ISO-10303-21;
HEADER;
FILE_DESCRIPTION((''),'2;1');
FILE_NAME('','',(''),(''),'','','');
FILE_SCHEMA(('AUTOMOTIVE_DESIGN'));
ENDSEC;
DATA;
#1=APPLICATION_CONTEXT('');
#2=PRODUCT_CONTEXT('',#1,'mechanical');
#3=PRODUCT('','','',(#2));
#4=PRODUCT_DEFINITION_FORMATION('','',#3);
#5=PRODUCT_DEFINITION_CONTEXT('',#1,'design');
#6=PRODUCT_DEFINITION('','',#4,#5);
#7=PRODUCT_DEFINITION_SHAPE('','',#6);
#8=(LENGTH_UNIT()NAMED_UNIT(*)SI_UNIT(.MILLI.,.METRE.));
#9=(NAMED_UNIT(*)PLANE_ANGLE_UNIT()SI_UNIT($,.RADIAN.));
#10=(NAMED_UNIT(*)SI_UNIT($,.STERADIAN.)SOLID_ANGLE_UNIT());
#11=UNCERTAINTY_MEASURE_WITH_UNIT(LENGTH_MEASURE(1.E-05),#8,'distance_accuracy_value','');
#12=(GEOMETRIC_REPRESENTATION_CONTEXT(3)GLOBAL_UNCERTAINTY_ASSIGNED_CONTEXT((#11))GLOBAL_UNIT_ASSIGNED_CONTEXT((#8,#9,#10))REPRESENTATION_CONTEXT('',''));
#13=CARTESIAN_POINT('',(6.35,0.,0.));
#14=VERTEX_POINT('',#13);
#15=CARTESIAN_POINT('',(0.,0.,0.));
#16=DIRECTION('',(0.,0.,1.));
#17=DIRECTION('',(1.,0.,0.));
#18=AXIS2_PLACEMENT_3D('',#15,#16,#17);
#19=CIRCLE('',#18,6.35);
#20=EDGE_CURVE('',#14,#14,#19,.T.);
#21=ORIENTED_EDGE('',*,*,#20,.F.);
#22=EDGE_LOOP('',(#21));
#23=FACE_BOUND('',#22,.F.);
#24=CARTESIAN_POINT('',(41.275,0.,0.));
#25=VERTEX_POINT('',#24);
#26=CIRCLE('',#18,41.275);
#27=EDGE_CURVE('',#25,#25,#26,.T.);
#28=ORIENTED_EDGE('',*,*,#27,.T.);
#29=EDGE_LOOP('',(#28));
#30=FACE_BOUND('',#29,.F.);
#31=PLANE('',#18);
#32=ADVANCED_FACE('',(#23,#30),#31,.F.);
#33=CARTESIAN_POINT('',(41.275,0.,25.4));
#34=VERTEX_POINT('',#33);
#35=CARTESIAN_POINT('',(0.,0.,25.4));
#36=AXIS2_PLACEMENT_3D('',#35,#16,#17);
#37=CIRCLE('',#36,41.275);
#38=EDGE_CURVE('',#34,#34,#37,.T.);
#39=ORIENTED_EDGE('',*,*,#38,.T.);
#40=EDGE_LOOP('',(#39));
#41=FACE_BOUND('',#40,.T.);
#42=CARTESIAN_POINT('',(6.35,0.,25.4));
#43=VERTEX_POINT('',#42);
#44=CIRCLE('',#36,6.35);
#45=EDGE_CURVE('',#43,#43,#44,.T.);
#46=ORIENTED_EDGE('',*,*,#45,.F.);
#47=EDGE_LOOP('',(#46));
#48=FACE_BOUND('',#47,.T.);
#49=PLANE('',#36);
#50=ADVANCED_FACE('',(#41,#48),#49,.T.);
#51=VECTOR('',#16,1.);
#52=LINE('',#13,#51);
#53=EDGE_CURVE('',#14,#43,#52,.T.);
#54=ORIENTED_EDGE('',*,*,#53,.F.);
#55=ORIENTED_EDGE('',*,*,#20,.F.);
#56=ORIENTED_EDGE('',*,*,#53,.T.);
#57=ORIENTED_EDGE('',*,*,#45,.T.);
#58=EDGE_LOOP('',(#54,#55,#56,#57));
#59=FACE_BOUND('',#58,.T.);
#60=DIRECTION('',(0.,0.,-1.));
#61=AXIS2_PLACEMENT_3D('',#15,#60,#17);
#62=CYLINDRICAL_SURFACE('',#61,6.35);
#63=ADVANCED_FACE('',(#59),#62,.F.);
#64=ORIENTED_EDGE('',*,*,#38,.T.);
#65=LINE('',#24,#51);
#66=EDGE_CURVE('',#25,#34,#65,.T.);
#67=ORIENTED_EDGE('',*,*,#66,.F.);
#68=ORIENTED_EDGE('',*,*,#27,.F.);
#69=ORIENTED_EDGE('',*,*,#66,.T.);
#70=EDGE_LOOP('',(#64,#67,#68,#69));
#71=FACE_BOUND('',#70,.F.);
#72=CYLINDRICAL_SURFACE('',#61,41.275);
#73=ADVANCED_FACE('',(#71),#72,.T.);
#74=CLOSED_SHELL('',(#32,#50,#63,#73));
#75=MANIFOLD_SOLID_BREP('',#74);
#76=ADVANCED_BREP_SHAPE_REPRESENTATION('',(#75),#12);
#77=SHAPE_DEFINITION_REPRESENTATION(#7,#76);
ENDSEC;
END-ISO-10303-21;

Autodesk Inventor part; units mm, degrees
ref_plane "YZ Plane" through (0, 0, 0) normal (1, 0, 0) x (0, 1, 0)
ref_plane "XZ Plane" through (0, 0, 0) normal (0, 1, 0) x (-1, 0, 0)
ref_plane "XY Plane" through (0, 0, 0) normal (0, 0, 1) x (1, 0, 0)
sketch "Sketch1" plane through (0, 0, 0) normal (0, 0, 1) x (1, 0, 0)
  circle A0 centre (0, 0) radius 6.35
  circle A1 centre (0, 0) radius 41.275
  dimension "d0" = 12.7
  dimension "d1" = 82.55
extrude "Extrusion1" add sketch "Sketch1" along normal blind 25.4
properties part number "SmallPulley"
